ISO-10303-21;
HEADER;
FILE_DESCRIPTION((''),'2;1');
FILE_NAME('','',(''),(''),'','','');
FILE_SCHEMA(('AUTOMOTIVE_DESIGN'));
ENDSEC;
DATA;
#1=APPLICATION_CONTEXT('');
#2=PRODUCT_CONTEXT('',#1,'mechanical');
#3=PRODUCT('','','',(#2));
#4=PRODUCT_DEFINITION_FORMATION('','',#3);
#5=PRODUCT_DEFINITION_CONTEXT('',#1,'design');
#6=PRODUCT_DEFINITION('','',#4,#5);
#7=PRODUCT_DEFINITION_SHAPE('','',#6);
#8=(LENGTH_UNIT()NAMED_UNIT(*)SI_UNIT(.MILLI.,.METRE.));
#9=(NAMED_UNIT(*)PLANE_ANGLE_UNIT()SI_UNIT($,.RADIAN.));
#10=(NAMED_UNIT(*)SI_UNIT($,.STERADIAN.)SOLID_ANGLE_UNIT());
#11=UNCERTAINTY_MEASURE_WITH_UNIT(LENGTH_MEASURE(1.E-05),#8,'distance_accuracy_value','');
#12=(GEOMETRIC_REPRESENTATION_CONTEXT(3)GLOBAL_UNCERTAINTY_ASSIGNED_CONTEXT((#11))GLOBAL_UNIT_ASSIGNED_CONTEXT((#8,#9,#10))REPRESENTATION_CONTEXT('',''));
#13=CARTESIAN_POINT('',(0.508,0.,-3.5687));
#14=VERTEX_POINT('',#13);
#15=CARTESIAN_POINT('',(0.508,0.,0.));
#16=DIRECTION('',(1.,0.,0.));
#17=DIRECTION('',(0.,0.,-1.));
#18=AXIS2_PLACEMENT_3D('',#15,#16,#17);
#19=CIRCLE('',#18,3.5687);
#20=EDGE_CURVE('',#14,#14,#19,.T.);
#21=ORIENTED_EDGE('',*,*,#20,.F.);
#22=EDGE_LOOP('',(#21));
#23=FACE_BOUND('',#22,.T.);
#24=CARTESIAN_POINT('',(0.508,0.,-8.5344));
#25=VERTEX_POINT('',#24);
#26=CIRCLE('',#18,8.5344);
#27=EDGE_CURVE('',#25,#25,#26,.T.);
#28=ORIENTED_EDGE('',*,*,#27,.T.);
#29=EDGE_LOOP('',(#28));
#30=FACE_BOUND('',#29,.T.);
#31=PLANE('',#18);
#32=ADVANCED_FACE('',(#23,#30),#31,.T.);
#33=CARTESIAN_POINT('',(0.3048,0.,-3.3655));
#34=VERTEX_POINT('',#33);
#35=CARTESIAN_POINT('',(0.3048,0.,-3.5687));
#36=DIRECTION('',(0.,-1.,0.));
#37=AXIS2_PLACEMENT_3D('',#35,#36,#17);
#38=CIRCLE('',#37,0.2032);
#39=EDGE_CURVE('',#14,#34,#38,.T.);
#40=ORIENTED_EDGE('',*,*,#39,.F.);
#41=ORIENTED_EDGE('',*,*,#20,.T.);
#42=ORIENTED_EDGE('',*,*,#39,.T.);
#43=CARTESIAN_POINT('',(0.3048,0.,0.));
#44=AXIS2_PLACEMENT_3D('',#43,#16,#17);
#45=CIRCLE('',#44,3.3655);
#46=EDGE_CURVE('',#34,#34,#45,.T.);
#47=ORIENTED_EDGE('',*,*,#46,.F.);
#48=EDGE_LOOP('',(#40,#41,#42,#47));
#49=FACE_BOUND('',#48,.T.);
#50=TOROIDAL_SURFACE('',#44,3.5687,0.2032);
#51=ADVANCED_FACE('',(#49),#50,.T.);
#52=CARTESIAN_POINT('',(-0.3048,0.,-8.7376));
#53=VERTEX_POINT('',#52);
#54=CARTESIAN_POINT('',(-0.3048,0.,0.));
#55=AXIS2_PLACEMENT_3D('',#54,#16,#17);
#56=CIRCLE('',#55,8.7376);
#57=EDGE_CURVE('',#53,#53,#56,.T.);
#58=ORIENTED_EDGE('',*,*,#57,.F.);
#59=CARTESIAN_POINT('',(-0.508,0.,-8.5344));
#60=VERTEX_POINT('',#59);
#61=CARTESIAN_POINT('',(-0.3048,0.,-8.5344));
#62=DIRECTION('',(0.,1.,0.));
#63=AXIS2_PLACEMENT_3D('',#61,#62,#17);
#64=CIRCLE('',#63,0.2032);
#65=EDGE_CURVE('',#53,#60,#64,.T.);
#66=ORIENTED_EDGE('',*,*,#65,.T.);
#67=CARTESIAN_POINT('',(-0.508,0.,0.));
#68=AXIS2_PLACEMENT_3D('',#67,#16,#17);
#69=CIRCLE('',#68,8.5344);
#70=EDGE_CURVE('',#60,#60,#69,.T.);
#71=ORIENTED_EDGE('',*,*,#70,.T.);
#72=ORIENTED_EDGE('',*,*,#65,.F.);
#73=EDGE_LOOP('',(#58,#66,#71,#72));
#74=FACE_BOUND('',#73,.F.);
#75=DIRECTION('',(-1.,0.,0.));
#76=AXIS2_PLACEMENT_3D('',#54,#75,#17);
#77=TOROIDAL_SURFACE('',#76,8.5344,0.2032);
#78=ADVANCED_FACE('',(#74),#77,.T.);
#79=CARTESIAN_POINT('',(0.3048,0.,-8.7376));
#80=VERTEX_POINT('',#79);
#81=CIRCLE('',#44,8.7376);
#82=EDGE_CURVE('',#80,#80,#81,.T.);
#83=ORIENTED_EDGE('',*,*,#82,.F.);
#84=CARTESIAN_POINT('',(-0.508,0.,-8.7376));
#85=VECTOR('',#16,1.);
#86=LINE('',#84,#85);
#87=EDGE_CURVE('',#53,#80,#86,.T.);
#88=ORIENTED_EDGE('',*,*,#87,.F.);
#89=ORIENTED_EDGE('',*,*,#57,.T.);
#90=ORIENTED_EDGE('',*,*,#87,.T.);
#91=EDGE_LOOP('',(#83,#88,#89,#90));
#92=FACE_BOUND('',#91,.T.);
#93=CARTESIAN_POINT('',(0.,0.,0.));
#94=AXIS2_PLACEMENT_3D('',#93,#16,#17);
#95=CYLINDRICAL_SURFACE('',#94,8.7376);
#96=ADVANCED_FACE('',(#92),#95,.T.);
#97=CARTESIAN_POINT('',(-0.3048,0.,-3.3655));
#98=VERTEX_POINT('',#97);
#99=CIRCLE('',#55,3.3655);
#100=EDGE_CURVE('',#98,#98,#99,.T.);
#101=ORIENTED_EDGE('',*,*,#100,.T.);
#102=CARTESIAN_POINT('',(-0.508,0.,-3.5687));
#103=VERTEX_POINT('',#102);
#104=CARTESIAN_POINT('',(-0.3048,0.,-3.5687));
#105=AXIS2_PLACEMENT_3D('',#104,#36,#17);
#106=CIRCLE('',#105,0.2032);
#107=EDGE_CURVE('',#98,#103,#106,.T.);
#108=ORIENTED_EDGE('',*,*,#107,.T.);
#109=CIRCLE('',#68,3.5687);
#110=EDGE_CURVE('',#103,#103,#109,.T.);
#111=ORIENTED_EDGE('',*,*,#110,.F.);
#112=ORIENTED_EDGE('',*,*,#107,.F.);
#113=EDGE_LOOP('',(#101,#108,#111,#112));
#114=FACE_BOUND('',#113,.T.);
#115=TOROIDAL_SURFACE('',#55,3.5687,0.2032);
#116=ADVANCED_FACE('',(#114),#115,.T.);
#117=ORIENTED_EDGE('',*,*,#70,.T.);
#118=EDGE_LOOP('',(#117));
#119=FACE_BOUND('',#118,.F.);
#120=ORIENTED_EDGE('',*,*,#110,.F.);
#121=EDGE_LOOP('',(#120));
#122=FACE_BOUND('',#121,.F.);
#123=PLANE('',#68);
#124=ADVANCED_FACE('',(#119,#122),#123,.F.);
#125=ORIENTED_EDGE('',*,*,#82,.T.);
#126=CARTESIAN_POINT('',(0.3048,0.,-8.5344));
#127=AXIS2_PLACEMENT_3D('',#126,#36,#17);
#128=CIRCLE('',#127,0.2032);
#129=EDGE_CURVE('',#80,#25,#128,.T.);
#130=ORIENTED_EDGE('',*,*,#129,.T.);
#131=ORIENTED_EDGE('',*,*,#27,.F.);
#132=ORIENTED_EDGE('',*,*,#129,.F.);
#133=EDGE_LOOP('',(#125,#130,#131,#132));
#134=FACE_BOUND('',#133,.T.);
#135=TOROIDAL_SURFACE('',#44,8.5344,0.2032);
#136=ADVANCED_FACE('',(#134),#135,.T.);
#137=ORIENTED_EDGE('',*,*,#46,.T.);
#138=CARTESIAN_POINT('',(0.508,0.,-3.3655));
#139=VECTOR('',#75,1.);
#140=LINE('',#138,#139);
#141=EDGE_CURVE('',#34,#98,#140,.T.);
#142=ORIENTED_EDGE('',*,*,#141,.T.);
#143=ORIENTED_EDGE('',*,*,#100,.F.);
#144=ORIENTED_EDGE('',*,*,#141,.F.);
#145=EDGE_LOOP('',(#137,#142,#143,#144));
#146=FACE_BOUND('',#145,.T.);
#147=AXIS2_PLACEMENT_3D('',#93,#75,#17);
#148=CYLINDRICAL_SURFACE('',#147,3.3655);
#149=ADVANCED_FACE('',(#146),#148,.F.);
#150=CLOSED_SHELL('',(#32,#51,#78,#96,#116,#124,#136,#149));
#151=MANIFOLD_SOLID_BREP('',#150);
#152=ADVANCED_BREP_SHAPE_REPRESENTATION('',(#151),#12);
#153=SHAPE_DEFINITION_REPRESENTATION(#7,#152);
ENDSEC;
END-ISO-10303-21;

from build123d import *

# Parameters (mm, degrees)
SKETCH1_R           = 8.7376
SKETCH1_R_2         = 3.3655
BOSS_EXTRUDE1_DEPTH = 0.508
FILLET1_R           = 0.2032


with BuildPart() as part:
    # Sketch1 → Boss-Extrude1 (new, symmetric)
    with BuildSketch(Plane(origin=(0, 0, 0), x_dir=(0, 0, -1), z_dir=(1, 0, 0))):
        Circle(SKETCH1_R)
        Circle(SKETCH1_R_2, mode=Mode.SUBTRACT)
    extrude(amount=BOSS_EXTRUDE1_DEPTH, both=True)

    # Fillet1
    fillet1_edges = [part.edges().sort_by_distance(p)[0] for p in [
        (-0.508, 0, 8.7376),
        (0.508, 0, 8.7376),
        (-0.508, 0, 3.3655),
        (0.508, 0, 3.3655),
    ]]
    fillet(fillet1_edges, radius=FILLET1_R)


solid = part.part
